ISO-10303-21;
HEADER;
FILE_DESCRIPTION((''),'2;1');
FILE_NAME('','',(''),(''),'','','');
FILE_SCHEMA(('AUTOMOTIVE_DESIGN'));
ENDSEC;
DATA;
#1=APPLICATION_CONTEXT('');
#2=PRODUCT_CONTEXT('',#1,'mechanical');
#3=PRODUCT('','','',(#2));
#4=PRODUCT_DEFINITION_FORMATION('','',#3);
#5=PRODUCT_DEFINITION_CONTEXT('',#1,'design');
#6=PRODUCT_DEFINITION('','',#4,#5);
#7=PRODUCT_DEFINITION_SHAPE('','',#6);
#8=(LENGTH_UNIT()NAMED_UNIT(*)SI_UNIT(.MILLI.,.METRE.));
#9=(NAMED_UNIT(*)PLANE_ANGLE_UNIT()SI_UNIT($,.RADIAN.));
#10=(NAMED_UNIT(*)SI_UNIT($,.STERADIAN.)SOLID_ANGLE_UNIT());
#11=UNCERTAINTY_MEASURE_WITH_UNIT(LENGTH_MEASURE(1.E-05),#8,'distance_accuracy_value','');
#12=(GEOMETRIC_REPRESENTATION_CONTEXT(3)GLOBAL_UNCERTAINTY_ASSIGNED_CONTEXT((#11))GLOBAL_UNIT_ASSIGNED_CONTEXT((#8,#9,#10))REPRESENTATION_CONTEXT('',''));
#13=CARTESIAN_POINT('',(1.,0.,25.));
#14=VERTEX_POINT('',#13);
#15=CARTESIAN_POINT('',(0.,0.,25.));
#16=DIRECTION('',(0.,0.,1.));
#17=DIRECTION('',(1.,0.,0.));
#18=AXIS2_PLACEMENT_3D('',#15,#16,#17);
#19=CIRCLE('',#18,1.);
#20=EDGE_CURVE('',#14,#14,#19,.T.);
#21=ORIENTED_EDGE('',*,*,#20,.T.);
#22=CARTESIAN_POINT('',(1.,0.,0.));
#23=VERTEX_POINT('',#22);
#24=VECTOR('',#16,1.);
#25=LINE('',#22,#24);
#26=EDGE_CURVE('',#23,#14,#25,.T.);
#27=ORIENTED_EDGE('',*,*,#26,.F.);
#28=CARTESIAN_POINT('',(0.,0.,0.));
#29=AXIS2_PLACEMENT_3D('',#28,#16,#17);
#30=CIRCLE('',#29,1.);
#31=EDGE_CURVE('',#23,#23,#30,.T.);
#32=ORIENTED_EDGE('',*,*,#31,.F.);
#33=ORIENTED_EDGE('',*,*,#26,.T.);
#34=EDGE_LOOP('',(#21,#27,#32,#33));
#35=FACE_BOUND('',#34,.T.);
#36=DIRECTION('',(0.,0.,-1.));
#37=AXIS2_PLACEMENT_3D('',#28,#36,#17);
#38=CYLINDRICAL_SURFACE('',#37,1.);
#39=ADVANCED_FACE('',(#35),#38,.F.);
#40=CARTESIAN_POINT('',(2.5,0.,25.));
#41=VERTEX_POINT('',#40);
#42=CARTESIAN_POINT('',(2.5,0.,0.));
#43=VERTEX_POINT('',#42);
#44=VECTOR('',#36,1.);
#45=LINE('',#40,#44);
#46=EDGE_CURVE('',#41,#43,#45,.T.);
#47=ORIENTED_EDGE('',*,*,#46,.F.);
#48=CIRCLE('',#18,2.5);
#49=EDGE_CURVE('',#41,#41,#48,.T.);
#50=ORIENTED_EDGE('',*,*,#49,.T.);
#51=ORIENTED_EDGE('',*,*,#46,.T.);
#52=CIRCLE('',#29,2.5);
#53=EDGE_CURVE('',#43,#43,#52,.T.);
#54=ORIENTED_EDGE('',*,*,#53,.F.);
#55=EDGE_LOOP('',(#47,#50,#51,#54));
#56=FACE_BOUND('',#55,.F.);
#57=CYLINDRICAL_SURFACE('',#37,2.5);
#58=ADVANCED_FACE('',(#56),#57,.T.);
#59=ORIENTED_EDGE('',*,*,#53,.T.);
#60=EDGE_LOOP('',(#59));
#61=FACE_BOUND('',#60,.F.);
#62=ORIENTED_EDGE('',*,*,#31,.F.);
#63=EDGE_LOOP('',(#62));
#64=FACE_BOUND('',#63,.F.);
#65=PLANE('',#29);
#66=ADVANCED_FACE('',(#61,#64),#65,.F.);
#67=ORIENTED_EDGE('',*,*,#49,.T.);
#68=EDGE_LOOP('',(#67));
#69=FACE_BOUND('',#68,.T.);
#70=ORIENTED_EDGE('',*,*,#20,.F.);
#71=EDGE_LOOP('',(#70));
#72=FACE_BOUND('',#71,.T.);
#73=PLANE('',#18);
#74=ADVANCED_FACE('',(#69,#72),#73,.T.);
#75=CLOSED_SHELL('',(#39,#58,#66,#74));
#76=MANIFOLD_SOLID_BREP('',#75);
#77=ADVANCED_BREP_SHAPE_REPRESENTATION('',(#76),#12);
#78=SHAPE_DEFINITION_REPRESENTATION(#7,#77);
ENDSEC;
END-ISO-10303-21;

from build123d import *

# Parameters (mm, degrees)
F0_R        = 2.5
F0_R_2      = 1
F1_DEPTH    = 1
F1_FACE_R   = 2.5
F1_FACE_R_2 = 1
F2_DEPTH    = 25


with BuildPart() as f1:
    # F0 (on Top) → F1 (new body)
    with BuildSketch(Plane.XY):
        Circle(F0_R)
        Circle(F0_R_2, mode=Mode.SUBTRACT)
    extrude(amount=F1_DEPTH)

    # F0 (on Top) + F1_face (on face) → F2 (join)
    with BuildSketch(Plane.XY):
        Circle(F0_R)
        Circle(F0_R_2, mode=Mode.SUBTRACT)
    with BuildSketch(Plane(origin=(0, 0, 0), x_dir=(1, 0, 0), z_dir=(0, 0, -1))):
        Circle(F1_FACE_R)
        Circle(F1_FACE_R_2, mode=Mode.SUBTRACT)
    extrude(amount=F2_DEPTH, dir=(0, 0, 1))


solid = f1.part
